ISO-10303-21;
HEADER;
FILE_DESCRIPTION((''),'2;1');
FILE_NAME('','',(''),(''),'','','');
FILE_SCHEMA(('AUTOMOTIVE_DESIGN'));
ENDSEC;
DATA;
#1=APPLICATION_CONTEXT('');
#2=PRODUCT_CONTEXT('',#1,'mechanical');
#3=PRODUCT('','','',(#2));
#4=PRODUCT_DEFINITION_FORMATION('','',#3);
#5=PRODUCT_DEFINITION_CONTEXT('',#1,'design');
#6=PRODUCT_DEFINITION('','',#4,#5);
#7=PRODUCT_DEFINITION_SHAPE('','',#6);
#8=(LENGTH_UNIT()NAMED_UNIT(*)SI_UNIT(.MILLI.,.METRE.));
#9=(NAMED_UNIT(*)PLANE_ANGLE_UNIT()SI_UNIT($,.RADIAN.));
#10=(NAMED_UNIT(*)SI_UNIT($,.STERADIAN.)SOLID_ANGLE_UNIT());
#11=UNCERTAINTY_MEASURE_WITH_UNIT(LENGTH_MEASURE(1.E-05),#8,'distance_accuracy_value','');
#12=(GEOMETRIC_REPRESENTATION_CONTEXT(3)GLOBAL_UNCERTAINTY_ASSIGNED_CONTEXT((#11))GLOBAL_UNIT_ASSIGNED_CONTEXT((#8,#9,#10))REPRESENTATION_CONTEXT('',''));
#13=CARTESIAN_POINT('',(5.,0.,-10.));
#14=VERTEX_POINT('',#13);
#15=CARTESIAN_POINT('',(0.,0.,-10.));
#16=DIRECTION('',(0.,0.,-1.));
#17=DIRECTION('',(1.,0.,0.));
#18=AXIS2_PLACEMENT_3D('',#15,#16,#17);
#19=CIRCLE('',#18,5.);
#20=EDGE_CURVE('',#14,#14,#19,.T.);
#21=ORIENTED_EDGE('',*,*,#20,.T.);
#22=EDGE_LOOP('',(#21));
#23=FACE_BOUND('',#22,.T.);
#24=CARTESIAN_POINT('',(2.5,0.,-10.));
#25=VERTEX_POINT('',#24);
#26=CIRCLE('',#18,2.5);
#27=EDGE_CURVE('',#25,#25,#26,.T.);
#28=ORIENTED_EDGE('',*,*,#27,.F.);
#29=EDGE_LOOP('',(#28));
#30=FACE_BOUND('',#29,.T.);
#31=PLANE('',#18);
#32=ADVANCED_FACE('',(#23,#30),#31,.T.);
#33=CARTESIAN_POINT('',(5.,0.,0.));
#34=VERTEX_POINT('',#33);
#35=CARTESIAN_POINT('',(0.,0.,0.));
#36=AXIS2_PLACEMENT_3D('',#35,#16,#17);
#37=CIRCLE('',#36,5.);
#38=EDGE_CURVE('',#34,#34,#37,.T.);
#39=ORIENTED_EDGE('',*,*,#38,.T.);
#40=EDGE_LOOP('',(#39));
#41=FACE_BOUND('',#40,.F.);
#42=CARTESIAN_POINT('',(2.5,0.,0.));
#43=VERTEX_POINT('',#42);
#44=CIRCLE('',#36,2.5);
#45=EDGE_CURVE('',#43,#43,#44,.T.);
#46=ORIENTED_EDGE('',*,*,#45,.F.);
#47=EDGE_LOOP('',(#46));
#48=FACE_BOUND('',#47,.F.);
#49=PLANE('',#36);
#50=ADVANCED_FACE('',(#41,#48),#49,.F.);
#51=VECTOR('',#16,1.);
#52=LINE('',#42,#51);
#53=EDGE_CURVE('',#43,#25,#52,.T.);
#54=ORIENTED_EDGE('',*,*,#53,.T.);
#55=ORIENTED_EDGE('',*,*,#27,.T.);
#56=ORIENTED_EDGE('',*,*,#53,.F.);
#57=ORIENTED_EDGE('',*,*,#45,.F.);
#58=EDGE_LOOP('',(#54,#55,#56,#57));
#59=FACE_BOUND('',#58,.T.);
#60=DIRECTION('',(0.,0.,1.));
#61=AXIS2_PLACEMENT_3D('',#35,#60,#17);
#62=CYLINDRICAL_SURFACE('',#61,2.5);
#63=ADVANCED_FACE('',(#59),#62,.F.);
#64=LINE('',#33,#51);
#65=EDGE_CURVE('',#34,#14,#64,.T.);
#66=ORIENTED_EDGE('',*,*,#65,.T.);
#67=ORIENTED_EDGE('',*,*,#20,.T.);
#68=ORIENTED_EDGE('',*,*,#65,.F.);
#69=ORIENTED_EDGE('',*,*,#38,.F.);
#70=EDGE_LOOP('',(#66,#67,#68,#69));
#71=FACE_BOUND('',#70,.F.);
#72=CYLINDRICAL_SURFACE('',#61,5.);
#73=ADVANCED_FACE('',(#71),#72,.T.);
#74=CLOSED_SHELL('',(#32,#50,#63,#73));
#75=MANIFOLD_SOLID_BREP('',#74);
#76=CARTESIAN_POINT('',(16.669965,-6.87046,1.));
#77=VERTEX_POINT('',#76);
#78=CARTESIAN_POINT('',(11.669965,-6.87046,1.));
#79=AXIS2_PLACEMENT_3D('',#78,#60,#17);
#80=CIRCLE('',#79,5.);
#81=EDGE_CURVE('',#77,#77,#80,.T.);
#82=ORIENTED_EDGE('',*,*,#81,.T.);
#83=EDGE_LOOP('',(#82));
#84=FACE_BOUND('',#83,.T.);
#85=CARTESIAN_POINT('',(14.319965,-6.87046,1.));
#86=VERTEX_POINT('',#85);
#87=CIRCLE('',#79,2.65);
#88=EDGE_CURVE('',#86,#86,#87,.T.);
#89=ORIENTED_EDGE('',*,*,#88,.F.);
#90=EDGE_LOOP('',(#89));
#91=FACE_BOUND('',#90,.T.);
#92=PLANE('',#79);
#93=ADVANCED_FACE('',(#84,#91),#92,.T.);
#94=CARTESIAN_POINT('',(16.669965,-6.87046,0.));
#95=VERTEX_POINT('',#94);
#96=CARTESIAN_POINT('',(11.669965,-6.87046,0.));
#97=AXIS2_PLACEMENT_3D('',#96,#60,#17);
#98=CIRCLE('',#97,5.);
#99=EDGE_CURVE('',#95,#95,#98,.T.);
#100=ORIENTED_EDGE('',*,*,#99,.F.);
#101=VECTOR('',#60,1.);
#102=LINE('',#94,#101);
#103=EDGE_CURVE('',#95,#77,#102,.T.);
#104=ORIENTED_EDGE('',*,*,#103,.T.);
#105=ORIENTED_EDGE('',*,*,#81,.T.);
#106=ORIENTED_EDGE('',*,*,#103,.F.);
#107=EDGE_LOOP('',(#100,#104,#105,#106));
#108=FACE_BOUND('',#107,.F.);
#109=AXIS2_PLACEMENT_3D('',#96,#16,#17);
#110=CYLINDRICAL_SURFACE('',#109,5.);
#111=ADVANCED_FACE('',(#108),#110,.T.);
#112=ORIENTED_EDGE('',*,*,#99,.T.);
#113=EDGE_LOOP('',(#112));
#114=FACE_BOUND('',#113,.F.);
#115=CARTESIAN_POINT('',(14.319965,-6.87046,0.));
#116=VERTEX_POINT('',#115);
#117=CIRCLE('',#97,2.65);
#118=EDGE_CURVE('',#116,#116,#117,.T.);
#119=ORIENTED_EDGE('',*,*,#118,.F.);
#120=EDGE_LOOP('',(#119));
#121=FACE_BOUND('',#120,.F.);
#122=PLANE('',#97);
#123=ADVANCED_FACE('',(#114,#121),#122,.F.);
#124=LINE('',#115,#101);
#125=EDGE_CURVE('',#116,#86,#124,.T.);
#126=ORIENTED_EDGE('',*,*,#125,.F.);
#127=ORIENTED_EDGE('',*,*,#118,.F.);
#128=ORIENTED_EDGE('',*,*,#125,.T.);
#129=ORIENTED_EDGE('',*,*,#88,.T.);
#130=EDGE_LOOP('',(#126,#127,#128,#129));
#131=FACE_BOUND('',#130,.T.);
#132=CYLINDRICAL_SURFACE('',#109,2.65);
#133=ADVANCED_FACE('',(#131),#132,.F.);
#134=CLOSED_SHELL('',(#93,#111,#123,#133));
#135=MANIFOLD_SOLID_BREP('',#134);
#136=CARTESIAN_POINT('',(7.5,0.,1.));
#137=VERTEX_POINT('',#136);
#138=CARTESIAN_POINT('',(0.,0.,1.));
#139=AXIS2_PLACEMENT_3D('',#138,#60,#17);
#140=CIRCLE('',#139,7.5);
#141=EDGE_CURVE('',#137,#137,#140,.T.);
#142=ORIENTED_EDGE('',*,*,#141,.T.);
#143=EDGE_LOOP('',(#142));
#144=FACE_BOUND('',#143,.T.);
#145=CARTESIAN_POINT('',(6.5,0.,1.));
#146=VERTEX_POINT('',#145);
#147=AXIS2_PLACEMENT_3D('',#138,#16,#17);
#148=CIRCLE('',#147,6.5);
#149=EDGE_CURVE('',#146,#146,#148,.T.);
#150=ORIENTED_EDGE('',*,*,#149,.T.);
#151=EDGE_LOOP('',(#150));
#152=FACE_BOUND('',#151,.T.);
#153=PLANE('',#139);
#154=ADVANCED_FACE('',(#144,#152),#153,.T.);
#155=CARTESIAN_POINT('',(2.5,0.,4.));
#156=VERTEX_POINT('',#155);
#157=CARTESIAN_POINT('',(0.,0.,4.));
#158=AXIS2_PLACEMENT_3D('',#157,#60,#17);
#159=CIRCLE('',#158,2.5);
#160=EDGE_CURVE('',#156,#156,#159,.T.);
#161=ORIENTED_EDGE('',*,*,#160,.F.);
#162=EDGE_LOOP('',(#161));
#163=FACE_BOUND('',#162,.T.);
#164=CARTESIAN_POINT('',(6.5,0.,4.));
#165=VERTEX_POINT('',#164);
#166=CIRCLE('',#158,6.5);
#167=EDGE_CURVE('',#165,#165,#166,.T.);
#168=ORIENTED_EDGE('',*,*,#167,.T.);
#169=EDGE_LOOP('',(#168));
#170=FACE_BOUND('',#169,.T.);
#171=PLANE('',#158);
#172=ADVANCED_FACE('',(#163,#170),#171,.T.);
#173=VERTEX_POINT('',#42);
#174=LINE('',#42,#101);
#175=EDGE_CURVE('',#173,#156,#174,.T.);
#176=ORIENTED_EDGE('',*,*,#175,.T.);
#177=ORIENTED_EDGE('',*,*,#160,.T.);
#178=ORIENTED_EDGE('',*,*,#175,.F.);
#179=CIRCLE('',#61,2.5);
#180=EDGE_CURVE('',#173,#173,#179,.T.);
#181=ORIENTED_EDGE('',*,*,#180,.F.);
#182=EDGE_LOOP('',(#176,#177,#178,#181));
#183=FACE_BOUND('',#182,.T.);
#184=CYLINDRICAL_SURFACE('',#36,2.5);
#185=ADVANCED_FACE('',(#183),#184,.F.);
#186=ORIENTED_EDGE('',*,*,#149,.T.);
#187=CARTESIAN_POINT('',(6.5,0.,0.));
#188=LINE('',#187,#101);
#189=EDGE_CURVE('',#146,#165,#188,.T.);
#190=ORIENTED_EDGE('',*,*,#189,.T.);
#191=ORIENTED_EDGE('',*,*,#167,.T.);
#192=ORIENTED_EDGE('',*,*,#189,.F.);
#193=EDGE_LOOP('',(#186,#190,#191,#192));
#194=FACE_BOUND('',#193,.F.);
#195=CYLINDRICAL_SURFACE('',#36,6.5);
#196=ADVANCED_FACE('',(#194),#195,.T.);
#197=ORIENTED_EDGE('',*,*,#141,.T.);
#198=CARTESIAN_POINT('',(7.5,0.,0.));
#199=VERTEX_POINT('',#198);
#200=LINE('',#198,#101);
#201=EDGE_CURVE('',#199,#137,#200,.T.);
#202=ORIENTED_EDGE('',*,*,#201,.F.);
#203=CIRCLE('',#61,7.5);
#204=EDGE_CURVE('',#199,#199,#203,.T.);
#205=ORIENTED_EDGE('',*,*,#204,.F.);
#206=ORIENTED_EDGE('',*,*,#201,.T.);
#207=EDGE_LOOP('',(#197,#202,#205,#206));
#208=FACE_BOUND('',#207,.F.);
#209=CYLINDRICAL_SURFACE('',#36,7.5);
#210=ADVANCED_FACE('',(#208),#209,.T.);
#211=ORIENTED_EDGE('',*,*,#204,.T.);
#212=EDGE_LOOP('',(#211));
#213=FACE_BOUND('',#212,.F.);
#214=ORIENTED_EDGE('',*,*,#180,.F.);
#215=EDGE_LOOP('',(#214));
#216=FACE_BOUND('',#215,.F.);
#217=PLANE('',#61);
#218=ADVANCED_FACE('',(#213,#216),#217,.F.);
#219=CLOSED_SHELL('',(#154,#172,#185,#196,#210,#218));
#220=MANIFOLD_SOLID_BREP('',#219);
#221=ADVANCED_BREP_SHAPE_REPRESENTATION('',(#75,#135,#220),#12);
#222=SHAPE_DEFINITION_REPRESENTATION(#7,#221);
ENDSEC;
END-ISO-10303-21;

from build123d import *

# Parameters (mm, degrees)
F0_R     = 7.5
F0_R_2   = 6.5
F0_R_3   = 2.5
F1_DEPTH = 1
F2_DEPTH = 4
F3_R     = 5
F3_R_2   = 2.5
F4_DEPTH = 10
F5_R     = 5
F5_R_2   = 2.65
F6_DEPTH = 1


with BuildPart() as f1:
    # F0 (on Top) → F1 (new body)
    with BuildSketch(Plane.XY):
        Circle(F0_R)
        Circle(F0_R_2, mode=Mode.SUBTRACT)
        Circle(F0_R_2)
        Circle(F0_R_3, mode=Mode.SUBTRACT)
    extrude(amount=F1_DEPTH)

    # F0 (on Top) → F2 (join)
    with BuildSketch(Plane.XY):
        Circle(F0_R_2)
        Circle(F0_R_3, mode=Mode.SUBTRACT)
    extrude(amount=F2_DEPTH)


with BuildPart() as f4:
    # F3 (on face) → F4 (new body)
    with BuildSketch(Plane(origin=(0, 0, 0), x_dir=(1, 0, 0), z_dir=(0, 0, -1))):
        Circle(F3_R)
        Circle(F3_R_2, mode=Mode.SUBTRACT)
    extrude(amount=F4_DEPTH)


with BuildPart() as f6:
    # F5 (on Top) → F6 (new body)
    with BuildSketch(Plane.XY):
        with Locations((11.669965, -6.87046)):
            Circle(F5_R)
        with Locations((11.669965, -6.87046)):
            Circle(F5_R_2, mode=Mode.SUBTRACT)
    extrude(amount=F6_DEPTH)


solid = Compound([f1.part, f4.part, f6.part])
